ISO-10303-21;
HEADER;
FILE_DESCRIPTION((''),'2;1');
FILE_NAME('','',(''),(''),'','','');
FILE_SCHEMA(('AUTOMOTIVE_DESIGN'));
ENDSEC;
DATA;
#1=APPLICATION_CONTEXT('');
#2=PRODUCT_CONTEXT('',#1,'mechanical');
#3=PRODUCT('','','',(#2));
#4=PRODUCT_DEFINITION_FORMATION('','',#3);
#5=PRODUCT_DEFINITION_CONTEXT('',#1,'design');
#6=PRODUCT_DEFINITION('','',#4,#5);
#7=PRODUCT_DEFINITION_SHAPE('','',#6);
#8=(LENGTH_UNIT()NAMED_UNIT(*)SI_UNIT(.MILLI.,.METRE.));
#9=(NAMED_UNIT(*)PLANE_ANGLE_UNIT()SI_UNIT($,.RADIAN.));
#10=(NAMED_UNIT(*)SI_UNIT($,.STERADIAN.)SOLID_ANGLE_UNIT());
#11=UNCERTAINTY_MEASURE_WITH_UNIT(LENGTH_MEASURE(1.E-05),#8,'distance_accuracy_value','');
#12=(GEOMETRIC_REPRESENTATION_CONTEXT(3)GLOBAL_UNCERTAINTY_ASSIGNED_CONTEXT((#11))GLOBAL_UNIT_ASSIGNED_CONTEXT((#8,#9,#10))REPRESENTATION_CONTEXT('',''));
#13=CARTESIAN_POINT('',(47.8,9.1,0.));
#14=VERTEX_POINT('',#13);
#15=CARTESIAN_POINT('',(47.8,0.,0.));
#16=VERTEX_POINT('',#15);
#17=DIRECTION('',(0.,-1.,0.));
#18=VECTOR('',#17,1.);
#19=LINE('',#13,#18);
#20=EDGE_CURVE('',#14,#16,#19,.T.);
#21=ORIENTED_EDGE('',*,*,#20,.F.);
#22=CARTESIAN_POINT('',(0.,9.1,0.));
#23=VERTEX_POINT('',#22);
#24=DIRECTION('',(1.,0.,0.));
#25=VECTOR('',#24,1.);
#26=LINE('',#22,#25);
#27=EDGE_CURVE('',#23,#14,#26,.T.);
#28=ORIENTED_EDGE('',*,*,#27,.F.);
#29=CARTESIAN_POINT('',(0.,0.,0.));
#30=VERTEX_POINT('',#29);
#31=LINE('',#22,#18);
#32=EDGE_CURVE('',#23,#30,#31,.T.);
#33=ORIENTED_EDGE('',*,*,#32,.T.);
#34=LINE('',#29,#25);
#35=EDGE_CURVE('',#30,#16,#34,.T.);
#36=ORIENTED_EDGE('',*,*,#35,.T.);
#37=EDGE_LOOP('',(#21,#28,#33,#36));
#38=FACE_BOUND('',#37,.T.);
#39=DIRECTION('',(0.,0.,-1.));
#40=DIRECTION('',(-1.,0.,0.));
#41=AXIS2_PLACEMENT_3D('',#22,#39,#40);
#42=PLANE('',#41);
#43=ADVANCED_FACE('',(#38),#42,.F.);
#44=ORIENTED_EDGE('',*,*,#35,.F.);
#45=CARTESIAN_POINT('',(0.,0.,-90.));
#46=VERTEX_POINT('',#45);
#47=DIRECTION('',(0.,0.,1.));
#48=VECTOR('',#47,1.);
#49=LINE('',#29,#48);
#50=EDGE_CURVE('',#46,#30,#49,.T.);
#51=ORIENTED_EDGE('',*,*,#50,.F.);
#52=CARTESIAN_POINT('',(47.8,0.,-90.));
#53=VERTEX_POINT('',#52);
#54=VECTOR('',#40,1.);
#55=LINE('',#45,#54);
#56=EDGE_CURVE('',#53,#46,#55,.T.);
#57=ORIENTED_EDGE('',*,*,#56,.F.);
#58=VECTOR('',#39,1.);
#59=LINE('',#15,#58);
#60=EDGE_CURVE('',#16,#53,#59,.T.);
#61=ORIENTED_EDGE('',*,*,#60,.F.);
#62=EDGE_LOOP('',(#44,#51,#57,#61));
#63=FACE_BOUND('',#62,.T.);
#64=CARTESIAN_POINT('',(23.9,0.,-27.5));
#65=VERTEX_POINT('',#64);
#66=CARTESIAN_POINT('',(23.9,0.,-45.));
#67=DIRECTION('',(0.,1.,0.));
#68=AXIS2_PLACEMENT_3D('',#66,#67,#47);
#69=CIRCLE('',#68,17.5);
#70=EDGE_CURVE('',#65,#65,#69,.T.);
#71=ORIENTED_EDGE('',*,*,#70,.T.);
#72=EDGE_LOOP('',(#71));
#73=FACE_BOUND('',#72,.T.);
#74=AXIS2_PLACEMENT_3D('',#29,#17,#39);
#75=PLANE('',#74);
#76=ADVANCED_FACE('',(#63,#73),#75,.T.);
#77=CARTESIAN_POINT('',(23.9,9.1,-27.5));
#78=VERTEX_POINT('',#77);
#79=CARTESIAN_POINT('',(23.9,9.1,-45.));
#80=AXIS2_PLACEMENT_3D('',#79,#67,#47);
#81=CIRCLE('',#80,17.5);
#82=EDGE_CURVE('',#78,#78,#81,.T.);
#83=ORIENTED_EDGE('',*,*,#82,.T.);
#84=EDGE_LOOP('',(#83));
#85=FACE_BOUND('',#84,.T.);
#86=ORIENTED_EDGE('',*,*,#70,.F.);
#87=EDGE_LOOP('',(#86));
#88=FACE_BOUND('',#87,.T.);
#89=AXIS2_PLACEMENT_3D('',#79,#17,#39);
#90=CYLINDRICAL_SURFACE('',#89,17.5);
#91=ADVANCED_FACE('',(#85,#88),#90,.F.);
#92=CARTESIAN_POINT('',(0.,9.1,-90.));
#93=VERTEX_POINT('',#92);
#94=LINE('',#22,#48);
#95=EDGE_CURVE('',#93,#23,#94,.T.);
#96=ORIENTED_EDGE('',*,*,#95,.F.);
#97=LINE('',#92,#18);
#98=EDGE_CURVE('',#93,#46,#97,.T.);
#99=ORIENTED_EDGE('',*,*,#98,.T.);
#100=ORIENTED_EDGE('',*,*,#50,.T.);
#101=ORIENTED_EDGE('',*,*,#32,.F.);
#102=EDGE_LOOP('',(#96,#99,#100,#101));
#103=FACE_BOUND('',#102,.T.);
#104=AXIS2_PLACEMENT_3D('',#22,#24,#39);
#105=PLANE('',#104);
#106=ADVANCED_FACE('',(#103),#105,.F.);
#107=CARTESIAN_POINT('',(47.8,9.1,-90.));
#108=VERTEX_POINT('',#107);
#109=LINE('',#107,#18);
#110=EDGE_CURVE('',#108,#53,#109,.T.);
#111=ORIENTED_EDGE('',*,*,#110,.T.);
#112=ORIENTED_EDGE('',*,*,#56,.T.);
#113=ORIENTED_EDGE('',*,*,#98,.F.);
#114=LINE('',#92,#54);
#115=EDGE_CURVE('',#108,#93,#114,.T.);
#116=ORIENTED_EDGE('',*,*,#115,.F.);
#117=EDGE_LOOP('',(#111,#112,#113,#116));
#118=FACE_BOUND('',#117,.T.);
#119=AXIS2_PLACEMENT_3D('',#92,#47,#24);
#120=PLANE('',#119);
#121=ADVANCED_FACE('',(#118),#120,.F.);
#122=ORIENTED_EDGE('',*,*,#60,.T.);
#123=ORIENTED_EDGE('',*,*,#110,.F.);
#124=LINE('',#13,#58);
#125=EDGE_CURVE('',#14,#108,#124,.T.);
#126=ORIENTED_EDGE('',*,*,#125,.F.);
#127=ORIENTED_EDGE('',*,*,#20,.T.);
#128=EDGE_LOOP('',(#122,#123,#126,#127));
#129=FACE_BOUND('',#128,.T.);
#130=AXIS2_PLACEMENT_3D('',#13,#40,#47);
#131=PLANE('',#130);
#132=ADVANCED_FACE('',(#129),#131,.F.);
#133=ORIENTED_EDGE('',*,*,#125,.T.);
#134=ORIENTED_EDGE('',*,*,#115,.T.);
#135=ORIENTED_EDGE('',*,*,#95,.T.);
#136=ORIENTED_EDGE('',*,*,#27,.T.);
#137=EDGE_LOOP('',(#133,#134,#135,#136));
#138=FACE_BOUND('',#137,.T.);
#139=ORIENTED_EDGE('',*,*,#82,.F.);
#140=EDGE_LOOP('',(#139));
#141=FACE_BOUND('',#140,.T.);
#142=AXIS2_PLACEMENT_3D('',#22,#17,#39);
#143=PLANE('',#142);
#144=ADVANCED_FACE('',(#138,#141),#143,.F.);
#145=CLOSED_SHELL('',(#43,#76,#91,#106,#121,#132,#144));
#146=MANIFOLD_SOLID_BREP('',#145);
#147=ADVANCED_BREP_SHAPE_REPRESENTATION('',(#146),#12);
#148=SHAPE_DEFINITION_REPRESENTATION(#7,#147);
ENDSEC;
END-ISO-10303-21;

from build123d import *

# Parameters (mm, degrees)
SKETCH1_W           = 47.8
SKETCH1_H           = 90
SKETCH1_R           = 17.5
BOSS_EXTRUDE1_DEPTH = 9.1


with BuildPart() as part:
    # Sketch1 → Boss-Extrude1 (new body)
    with BuildSketch(Plane(origin=(0, 0, 0), x_dir=(1, 0, 0), z_dir=(0, 1, 0))):
        with Locations((23.9, 45)):
            Rectangle(SKETCH1_W, SKETCH1_H)
        with Locations((23.9, 45)):
            Circle(SKETCH1_R, mode=Mode.SUBTRACT)
    extrude(amount=BOSS_EXTRUDE1_DEPTH)


solid = part.part
